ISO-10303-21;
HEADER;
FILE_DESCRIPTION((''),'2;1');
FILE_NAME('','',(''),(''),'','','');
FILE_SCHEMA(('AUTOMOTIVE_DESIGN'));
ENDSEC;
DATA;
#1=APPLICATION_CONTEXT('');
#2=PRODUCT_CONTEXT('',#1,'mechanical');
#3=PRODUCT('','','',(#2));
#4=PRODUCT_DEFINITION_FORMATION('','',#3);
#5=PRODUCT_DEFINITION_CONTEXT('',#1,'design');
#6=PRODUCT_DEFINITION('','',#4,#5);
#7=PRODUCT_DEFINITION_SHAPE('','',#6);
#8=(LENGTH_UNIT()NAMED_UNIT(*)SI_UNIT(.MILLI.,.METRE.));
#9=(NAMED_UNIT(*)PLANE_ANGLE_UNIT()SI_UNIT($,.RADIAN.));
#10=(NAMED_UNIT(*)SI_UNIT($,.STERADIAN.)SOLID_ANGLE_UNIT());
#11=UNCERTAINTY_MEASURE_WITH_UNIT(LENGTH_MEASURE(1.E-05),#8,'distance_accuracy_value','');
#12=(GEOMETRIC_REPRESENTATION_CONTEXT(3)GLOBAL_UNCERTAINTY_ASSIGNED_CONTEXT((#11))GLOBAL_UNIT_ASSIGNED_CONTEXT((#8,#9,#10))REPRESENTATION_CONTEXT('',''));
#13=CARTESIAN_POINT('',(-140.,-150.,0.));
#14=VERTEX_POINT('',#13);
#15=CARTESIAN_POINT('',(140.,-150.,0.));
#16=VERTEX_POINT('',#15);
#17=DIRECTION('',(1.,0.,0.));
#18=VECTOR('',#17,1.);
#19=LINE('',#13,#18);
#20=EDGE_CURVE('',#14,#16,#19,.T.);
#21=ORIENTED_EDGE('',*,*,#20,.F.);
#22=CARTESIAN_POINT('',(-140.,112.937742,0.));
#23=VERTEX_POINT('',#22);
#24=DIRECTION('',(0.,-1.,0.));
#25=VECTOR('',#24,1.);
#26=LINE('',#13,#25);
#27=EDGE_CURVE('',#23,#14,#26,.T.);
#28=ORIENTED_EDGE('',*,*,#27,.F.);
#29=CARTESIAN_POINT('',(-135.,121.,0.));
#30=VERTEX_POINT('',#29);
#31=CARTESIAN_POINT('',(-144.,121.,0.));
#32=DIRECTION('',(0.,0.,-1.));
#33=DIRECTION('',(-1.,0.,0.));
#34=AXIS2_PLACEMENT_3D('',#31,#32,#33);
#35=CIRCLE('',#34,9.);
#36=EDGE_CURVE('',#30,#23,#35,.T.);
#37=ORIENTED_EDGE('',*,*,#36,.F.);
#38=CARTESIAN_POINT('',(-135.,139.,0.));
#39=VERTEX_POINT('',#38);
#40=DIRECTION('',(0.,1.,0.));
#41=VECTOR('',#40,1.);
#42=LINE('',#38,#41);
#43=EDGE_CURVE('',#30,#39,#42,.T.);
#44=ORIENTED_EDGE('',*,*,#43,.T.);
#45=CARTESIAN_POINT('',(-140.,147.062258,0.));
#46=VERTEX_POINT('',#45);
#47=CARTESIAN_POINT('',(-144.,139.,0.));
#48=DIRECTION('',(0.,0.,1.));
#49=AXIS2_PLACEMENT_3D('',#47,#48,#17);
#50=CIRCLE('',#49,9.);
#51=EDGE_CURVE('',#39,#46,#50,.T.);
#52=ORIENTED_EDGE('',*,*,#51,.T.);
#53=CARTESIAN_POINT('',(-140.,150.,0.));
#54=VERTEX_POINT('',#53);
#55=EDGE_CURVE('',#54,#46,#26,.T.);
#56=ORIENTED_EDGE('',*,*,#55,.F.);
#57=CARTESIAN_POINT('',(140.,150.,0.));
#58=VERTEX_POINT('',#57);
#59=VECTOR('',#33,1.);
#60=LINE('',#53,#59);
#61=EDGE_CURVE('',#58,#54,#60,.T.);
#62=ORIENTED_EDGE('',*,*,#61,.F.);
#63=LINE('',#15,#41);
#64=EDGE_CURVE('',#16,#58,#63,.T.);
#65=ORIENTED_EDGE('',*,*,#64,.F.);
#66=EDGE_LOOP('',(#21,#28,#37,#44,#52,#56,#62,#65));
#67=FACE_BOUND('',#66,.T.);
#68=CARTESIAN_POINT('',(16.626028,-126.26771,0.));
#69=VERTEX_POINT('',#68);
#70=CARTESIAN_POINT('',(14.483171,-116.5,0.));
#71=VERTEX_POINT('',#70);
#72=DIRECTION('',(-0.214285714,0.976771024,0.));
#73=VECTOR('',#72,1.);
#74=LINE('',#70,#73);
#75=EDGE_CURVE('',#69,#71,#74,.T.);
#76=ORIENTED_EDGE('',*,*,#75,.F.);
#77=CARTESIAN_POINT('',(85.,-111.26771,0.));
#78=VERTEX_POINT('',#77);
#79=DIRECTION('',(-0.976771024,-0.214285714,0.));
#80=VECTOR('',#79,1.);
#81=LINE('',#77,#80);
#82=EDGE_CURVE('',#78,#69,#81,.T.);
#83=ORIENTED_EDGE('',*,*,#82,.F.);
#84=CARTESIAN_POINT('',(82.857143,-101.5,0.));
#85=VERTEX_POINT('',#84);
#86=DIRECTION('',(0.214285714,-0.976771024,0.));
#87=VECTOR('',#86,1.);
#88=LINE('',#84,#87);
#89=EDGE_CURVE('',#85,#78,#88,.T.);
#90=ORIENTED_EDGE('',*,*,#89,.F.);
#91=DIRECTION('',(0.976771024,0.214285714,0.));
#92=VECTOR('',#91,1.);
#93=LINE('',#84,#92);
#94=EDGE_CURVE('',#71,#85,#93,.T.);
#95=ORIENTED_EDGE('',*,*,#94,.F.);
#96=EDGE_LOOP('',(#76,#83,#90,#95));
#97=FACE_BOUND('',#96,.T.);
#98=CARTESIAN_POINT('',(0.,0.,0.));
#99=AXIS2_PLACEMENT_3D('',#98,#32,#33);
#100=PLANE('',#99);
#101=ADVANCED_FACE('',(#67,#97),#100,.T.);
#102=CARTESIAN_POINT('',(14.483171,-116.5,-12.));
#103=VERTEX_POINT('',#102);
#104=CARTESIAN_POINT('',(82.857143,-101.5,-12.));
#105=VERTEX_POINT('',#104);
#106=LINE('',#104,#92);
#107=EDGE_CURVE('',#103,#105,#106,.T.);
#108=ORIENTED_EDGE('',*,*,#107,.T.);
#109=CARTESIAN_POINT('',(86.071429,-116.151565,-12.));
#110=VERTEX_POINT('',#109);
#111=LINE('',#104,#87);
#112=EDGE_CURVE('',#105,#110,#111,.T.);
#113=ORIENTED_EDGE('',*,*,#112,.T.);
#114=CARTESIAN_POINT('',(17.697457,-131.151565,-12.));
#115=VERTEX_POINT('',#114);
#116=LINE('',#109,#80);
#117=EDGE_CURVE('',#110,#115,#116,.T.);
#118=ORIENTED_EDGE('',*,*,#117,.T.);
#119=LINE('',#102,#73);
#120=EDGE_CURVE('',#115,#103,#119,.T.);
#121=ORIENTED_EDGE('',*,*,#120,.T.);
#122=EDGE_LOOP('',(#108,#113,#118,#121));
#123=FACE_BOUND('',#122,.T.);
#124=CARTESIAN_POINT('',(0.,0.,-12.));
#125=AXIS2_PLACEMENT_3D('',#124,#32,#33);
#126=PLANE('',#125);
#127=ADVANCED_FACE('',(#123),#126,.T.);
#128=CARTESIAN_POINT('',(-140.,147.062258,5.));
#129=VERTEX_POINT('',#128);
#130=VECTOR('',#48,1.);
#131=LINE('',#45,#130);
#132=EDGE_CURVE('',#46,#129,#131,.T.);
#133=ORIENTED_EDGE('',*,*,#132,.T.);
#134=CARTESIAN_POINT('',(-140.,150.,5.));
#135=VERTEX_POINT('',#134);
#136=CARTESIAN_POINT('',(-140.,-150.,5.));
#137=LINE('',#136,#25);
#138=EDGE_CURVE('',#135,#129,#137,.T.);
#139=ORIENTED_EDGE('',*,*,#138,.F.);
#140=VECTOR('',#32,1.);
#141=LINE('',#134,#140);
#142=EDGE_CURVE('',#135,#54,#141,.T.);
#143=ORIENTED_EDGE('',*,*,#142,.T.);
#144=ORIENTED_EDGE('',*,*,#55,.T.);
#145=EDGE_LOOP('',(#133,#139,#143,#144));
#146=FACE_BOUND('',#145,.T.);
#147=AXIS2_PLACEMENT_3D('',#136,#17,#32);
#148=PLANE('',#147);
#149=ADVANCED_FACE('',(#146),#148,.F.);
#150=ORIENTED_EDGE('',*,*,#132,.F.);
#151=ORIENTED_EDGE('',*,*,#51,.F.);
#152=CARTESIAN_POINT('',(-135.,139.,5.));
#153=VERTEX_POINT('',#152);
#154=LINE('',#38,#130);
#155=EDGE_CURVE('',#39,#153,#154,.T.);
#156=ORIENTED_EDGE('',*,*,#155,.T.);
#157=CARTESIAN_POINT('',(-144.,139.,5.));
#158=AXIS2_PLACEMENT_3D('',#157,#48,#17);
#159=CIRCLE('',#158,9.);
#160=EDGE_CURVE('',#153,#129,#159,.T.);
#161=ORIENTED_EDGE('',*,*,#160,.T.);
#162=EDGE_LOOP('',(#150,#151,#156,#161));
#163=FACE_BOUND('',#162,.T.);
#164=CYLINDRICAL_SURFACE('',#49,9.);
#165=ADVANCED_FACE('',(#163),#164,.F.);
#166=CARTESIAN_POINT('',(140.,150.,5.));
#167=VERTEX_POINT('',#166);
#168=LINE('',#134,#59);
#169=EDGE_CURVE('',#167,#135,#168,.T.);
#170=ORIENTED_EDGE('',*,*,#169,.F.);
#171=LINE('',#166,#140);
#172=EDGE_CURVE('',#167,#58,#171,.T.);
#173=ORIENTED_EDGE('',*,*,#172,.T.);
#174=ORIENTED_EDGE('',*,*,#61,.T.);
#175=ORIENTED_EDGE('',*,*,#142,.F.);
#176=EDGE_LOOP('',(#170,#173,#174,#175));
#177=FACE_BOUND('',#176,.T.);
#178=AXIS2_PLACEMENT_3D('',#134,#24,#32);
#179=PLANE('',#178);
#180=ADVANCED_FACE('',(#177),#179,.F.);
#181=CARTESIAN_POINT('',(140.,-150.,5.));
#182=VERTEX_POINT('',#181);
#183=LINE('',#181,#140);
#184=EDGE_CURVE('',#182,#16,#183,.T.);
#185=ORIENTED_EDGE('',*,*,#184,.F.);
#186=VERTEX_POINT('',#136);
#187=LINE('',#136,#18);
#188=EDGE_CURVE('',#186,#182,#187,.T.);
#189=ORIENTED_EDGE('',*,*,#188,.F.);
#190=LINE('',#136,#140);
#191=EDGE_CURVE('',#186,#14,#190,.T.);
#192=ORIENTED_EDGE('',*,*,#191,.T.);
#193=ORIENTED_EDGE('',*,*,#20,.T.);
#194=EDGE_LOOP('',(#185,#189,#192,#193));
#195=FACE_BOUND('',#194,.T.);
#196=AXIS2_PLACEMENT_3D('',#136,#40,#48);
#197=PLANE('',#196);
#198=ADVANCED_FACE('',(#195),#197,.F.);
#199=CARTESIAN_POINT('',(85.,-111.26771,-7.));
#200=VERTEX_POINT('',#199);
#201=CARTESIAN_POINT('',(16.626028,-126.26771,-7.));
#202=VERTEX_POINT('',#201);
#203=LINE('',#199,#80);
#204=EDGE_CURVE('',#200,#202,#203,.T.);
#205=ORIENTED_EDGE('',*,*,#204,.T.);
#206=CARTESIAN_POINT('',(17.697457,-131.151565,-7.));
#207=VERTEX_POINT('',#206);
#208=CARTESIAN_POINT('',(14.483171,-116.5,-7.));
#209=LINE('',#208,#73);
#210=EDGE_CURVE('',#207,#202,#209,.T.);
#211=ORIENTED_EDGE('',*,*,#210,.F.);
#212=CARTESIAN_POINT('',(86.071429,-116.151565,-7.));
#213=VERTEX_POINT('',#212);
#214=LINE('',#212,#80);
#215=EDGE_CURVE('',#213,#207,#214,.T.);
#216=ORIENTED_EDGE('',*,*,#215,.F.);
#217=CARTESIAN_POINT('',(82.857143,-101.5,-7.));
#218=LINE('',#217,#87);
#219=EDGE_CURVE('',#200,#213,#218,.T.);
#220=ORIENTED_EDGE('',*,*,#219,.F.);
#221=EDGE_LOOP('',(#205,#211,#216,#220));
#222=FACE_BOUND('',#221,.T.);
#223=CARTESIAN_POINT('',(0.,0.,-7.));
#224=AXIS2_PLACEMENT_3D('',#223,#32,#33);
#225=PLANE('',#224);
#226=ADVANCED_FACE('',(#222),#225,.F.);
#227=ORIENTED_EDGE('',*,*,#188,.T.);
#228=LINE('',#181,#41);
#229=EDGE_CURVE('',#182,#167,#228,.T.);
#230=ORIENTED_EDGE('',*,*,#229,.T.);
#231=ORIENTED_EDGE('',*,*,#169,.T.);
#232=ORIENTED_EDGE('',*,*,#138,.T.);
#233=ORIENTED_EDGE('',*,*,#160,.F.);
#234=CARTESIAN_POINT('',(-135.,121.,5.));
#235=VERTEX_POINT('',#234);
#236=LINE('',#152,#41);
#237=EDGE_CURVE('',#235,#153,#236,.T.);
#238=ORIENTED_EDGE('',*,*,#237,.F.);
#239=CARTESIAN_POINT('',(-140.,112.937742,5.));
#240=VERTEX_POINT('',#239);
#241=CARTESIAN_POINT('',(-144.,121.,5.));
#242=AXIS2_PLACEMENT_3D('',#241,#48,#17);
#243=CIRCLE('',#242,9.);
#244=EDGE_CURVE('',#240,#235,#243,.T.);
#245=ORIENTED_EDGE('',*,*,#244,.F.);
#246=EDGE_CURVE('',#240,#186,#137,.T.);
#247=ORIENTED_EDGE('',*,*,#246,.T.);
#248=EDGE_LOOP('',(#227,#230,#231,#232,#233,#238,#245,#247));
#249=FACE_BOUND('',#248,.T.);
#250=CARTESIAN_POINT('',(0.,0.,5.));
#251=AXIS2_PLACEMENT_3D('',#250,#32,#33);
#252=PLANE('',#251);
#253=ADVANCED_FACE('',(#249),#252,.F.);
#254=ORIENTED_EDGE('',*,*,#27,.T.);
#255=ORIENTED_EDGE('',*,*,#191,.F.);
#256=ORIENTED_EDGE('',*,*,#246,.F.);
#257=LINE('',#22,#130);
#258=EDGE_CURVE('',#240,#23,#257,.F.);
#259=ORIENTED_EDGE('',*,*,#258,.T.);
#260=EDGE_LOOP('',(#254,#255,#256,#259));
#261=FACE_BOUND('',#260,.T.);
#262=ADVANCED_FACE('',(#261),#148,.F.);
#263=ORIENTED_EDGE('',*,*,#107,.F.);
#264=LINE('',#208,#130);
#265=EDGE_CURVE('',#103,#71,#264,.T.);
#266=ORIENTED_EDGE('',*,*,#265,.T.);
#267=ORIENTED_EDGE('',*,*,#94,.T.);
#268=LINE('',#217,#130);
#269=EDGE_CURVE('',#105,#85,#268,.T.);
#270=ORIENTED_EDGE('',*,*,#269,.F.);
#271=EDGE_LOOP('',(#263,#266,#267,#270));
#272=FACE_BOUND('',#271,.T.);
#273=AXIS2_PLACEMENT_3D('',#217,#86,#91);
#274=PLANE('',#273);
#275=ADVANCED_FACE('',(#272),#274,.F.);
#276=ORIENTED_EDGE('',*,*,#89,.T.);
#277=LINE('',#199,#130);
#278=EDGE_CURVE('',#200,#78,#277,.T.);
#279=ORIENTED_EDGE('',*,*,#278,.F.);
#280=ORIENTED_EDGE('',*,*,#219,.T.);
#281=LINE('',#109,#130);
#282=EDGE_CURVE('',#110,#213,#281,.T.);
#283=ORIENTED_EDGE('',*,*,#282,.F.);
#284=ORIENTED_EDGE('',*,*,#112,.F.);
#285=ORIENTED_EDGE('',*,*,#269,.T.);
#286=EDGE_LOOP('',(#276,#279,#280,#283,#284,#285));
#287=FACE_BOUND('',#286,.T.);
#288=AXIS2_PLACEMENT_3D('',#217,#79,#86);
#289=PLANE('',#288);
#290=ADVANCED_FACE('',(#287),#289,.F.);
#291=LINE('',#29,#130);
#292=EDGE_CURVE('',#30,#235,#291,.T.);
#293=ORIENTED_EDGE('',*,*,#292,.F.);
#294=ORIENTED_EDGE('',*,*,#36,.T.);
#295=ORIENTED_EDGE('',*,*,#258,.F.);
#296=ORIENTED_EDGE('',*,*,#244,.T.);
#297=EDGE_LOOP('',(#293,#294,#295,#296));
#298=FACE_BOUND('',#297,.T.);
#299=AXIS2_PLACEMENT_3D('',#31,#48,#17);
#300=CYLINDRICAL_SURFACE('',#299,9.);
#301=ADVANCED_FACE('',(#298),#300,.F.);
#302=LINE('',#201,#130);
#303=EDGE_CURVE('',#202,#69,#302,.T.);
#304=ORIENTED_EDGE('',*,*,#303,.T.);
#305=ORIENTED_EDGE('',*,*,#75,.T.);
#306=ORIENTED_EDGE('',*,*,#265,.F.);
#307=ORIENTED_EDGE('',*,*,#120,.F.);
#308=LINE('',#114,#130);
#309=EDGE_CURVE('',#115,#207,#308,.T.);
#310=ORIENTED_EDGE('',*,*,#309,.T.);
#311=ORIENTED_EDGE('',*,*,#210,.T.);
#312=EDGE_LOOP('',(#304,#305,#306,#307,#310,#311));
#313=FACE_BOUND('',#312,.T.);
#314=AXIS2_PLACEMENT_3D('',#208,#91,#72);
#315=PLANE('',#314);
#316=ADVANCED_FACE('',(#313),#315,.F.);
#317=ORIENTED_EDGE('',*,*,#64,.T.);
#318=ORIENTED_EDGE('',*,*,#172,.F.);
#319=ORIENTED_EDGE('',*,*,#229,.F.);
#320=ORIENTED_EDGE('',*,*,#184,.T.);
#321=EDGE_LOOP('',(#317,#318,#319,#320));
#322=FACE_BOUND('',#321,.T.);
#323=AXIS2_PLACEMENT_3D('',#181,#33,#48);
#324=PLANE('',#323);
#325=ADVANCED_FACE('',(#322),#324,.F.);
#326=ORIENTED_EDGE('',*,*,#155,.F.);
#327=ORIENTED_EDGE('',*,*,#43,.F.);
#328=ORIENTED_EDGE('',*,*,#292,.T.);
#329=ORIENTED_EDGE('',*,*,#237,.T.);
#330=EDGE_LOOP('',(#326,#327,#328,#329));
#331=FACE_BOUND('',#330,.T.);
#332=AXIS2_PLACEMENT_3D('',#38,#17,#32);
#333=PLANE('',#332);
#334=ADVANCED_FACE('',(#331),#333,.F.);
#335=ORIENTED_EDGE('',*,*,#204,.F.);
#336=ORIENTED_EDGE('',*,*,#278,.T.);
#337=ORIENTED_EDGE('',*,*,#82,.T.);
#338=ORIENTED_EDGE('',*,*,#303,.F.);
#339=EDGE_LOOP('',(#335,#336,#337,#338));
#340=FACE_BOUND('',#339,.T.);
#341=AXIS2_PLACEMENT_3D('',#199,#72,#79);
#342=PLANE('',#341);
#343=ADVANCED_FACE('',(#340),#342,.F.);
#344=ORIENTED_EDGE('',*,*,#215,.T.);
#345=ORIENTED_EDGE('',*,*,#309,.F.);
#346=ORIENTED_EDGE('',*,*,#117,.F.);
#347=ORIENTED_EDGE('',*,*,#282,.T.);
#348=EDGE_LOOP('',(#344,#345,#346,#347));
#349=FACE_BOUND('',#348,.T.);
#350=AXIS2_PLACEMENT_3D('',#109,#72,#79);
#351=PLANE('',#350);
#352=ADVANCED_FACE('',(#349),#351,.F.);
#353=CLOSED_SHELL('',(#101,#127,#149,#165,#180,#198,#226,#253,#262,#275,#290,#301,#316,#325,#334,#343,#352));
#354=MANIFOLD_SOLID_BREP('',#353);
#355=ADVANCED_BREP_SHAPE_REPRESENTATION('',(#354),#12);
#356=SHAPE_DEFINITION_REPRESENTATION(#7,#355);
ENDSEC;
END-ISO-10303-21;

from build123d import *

# Parameters (mm, degrees)
SKETCH1_W           = 280
SKETCH1_H           = 300
BOSS_EXTRUDE1_DEPTH = 5
CUT_EXTRUDE1_DEPTH  = 6
BOSS_EXTRUDE2_DEPTH = 7
BOSS_EXTRUDE3_DEPTH = 5


with BuildPart() as part:
    # Sketch1 → Boss-Extrude1 (new body)
    with BuildSketch(Plane.XY):
        Rectangle(SKETCH1_W, SKETCH1_H)
    extrude(amount=BOSS_EXTRUDE1_DEPTH)

    # Sketch2 → Cut-Extrude1 (cut, through all)
    with BuildSketch(Plane.XY.offset(5)):
        with BuildLine():
            Line((-153, 139), (-153, 121))
            ThreePointArc((-153, 121), (-144, 112), (-135, 121))
            Line((-135, 121), (-135, 139))
            ThreePointArc((-135, 139), (-144, 148), (-153, 139))
        make_face()
    extrude(amount=-CUT_EXTRUDE1_DEPTH, mode=Mode.SUBTRACT)

    # Sketch3 → Boss-Extrude2 (add)
    with BuildSketch(Plane(origin=(0, 0, 0), x_dir=(-1, 0, 0), z_dir=(0, 0, -1))):
        Polygon((-82.857142857, -101.5), (-14.483171201, -116.5), (-16.626028344, -126.267710237), (-85, -111.267710237), align=None)
    extrude(amount=BOSS_EXTRUDE2_DEPTH)

    # Sketch4 → Boss-Extrude3 (add)
    with BuildSketch(Plane(origin=(0, 0, -7), x_dir=(-1, 0, 0), z_dir=(0, 0, -1))):
        Polygon((-82.857142857, -101.5), (-14.483171201, -116.5), (-17.697456916, -131.151565355), (-86.071428571, -116.151565355), align=None)
    extrude(amount=BOSS_EXTRUDE3_DEPTH)


solid = part.part
